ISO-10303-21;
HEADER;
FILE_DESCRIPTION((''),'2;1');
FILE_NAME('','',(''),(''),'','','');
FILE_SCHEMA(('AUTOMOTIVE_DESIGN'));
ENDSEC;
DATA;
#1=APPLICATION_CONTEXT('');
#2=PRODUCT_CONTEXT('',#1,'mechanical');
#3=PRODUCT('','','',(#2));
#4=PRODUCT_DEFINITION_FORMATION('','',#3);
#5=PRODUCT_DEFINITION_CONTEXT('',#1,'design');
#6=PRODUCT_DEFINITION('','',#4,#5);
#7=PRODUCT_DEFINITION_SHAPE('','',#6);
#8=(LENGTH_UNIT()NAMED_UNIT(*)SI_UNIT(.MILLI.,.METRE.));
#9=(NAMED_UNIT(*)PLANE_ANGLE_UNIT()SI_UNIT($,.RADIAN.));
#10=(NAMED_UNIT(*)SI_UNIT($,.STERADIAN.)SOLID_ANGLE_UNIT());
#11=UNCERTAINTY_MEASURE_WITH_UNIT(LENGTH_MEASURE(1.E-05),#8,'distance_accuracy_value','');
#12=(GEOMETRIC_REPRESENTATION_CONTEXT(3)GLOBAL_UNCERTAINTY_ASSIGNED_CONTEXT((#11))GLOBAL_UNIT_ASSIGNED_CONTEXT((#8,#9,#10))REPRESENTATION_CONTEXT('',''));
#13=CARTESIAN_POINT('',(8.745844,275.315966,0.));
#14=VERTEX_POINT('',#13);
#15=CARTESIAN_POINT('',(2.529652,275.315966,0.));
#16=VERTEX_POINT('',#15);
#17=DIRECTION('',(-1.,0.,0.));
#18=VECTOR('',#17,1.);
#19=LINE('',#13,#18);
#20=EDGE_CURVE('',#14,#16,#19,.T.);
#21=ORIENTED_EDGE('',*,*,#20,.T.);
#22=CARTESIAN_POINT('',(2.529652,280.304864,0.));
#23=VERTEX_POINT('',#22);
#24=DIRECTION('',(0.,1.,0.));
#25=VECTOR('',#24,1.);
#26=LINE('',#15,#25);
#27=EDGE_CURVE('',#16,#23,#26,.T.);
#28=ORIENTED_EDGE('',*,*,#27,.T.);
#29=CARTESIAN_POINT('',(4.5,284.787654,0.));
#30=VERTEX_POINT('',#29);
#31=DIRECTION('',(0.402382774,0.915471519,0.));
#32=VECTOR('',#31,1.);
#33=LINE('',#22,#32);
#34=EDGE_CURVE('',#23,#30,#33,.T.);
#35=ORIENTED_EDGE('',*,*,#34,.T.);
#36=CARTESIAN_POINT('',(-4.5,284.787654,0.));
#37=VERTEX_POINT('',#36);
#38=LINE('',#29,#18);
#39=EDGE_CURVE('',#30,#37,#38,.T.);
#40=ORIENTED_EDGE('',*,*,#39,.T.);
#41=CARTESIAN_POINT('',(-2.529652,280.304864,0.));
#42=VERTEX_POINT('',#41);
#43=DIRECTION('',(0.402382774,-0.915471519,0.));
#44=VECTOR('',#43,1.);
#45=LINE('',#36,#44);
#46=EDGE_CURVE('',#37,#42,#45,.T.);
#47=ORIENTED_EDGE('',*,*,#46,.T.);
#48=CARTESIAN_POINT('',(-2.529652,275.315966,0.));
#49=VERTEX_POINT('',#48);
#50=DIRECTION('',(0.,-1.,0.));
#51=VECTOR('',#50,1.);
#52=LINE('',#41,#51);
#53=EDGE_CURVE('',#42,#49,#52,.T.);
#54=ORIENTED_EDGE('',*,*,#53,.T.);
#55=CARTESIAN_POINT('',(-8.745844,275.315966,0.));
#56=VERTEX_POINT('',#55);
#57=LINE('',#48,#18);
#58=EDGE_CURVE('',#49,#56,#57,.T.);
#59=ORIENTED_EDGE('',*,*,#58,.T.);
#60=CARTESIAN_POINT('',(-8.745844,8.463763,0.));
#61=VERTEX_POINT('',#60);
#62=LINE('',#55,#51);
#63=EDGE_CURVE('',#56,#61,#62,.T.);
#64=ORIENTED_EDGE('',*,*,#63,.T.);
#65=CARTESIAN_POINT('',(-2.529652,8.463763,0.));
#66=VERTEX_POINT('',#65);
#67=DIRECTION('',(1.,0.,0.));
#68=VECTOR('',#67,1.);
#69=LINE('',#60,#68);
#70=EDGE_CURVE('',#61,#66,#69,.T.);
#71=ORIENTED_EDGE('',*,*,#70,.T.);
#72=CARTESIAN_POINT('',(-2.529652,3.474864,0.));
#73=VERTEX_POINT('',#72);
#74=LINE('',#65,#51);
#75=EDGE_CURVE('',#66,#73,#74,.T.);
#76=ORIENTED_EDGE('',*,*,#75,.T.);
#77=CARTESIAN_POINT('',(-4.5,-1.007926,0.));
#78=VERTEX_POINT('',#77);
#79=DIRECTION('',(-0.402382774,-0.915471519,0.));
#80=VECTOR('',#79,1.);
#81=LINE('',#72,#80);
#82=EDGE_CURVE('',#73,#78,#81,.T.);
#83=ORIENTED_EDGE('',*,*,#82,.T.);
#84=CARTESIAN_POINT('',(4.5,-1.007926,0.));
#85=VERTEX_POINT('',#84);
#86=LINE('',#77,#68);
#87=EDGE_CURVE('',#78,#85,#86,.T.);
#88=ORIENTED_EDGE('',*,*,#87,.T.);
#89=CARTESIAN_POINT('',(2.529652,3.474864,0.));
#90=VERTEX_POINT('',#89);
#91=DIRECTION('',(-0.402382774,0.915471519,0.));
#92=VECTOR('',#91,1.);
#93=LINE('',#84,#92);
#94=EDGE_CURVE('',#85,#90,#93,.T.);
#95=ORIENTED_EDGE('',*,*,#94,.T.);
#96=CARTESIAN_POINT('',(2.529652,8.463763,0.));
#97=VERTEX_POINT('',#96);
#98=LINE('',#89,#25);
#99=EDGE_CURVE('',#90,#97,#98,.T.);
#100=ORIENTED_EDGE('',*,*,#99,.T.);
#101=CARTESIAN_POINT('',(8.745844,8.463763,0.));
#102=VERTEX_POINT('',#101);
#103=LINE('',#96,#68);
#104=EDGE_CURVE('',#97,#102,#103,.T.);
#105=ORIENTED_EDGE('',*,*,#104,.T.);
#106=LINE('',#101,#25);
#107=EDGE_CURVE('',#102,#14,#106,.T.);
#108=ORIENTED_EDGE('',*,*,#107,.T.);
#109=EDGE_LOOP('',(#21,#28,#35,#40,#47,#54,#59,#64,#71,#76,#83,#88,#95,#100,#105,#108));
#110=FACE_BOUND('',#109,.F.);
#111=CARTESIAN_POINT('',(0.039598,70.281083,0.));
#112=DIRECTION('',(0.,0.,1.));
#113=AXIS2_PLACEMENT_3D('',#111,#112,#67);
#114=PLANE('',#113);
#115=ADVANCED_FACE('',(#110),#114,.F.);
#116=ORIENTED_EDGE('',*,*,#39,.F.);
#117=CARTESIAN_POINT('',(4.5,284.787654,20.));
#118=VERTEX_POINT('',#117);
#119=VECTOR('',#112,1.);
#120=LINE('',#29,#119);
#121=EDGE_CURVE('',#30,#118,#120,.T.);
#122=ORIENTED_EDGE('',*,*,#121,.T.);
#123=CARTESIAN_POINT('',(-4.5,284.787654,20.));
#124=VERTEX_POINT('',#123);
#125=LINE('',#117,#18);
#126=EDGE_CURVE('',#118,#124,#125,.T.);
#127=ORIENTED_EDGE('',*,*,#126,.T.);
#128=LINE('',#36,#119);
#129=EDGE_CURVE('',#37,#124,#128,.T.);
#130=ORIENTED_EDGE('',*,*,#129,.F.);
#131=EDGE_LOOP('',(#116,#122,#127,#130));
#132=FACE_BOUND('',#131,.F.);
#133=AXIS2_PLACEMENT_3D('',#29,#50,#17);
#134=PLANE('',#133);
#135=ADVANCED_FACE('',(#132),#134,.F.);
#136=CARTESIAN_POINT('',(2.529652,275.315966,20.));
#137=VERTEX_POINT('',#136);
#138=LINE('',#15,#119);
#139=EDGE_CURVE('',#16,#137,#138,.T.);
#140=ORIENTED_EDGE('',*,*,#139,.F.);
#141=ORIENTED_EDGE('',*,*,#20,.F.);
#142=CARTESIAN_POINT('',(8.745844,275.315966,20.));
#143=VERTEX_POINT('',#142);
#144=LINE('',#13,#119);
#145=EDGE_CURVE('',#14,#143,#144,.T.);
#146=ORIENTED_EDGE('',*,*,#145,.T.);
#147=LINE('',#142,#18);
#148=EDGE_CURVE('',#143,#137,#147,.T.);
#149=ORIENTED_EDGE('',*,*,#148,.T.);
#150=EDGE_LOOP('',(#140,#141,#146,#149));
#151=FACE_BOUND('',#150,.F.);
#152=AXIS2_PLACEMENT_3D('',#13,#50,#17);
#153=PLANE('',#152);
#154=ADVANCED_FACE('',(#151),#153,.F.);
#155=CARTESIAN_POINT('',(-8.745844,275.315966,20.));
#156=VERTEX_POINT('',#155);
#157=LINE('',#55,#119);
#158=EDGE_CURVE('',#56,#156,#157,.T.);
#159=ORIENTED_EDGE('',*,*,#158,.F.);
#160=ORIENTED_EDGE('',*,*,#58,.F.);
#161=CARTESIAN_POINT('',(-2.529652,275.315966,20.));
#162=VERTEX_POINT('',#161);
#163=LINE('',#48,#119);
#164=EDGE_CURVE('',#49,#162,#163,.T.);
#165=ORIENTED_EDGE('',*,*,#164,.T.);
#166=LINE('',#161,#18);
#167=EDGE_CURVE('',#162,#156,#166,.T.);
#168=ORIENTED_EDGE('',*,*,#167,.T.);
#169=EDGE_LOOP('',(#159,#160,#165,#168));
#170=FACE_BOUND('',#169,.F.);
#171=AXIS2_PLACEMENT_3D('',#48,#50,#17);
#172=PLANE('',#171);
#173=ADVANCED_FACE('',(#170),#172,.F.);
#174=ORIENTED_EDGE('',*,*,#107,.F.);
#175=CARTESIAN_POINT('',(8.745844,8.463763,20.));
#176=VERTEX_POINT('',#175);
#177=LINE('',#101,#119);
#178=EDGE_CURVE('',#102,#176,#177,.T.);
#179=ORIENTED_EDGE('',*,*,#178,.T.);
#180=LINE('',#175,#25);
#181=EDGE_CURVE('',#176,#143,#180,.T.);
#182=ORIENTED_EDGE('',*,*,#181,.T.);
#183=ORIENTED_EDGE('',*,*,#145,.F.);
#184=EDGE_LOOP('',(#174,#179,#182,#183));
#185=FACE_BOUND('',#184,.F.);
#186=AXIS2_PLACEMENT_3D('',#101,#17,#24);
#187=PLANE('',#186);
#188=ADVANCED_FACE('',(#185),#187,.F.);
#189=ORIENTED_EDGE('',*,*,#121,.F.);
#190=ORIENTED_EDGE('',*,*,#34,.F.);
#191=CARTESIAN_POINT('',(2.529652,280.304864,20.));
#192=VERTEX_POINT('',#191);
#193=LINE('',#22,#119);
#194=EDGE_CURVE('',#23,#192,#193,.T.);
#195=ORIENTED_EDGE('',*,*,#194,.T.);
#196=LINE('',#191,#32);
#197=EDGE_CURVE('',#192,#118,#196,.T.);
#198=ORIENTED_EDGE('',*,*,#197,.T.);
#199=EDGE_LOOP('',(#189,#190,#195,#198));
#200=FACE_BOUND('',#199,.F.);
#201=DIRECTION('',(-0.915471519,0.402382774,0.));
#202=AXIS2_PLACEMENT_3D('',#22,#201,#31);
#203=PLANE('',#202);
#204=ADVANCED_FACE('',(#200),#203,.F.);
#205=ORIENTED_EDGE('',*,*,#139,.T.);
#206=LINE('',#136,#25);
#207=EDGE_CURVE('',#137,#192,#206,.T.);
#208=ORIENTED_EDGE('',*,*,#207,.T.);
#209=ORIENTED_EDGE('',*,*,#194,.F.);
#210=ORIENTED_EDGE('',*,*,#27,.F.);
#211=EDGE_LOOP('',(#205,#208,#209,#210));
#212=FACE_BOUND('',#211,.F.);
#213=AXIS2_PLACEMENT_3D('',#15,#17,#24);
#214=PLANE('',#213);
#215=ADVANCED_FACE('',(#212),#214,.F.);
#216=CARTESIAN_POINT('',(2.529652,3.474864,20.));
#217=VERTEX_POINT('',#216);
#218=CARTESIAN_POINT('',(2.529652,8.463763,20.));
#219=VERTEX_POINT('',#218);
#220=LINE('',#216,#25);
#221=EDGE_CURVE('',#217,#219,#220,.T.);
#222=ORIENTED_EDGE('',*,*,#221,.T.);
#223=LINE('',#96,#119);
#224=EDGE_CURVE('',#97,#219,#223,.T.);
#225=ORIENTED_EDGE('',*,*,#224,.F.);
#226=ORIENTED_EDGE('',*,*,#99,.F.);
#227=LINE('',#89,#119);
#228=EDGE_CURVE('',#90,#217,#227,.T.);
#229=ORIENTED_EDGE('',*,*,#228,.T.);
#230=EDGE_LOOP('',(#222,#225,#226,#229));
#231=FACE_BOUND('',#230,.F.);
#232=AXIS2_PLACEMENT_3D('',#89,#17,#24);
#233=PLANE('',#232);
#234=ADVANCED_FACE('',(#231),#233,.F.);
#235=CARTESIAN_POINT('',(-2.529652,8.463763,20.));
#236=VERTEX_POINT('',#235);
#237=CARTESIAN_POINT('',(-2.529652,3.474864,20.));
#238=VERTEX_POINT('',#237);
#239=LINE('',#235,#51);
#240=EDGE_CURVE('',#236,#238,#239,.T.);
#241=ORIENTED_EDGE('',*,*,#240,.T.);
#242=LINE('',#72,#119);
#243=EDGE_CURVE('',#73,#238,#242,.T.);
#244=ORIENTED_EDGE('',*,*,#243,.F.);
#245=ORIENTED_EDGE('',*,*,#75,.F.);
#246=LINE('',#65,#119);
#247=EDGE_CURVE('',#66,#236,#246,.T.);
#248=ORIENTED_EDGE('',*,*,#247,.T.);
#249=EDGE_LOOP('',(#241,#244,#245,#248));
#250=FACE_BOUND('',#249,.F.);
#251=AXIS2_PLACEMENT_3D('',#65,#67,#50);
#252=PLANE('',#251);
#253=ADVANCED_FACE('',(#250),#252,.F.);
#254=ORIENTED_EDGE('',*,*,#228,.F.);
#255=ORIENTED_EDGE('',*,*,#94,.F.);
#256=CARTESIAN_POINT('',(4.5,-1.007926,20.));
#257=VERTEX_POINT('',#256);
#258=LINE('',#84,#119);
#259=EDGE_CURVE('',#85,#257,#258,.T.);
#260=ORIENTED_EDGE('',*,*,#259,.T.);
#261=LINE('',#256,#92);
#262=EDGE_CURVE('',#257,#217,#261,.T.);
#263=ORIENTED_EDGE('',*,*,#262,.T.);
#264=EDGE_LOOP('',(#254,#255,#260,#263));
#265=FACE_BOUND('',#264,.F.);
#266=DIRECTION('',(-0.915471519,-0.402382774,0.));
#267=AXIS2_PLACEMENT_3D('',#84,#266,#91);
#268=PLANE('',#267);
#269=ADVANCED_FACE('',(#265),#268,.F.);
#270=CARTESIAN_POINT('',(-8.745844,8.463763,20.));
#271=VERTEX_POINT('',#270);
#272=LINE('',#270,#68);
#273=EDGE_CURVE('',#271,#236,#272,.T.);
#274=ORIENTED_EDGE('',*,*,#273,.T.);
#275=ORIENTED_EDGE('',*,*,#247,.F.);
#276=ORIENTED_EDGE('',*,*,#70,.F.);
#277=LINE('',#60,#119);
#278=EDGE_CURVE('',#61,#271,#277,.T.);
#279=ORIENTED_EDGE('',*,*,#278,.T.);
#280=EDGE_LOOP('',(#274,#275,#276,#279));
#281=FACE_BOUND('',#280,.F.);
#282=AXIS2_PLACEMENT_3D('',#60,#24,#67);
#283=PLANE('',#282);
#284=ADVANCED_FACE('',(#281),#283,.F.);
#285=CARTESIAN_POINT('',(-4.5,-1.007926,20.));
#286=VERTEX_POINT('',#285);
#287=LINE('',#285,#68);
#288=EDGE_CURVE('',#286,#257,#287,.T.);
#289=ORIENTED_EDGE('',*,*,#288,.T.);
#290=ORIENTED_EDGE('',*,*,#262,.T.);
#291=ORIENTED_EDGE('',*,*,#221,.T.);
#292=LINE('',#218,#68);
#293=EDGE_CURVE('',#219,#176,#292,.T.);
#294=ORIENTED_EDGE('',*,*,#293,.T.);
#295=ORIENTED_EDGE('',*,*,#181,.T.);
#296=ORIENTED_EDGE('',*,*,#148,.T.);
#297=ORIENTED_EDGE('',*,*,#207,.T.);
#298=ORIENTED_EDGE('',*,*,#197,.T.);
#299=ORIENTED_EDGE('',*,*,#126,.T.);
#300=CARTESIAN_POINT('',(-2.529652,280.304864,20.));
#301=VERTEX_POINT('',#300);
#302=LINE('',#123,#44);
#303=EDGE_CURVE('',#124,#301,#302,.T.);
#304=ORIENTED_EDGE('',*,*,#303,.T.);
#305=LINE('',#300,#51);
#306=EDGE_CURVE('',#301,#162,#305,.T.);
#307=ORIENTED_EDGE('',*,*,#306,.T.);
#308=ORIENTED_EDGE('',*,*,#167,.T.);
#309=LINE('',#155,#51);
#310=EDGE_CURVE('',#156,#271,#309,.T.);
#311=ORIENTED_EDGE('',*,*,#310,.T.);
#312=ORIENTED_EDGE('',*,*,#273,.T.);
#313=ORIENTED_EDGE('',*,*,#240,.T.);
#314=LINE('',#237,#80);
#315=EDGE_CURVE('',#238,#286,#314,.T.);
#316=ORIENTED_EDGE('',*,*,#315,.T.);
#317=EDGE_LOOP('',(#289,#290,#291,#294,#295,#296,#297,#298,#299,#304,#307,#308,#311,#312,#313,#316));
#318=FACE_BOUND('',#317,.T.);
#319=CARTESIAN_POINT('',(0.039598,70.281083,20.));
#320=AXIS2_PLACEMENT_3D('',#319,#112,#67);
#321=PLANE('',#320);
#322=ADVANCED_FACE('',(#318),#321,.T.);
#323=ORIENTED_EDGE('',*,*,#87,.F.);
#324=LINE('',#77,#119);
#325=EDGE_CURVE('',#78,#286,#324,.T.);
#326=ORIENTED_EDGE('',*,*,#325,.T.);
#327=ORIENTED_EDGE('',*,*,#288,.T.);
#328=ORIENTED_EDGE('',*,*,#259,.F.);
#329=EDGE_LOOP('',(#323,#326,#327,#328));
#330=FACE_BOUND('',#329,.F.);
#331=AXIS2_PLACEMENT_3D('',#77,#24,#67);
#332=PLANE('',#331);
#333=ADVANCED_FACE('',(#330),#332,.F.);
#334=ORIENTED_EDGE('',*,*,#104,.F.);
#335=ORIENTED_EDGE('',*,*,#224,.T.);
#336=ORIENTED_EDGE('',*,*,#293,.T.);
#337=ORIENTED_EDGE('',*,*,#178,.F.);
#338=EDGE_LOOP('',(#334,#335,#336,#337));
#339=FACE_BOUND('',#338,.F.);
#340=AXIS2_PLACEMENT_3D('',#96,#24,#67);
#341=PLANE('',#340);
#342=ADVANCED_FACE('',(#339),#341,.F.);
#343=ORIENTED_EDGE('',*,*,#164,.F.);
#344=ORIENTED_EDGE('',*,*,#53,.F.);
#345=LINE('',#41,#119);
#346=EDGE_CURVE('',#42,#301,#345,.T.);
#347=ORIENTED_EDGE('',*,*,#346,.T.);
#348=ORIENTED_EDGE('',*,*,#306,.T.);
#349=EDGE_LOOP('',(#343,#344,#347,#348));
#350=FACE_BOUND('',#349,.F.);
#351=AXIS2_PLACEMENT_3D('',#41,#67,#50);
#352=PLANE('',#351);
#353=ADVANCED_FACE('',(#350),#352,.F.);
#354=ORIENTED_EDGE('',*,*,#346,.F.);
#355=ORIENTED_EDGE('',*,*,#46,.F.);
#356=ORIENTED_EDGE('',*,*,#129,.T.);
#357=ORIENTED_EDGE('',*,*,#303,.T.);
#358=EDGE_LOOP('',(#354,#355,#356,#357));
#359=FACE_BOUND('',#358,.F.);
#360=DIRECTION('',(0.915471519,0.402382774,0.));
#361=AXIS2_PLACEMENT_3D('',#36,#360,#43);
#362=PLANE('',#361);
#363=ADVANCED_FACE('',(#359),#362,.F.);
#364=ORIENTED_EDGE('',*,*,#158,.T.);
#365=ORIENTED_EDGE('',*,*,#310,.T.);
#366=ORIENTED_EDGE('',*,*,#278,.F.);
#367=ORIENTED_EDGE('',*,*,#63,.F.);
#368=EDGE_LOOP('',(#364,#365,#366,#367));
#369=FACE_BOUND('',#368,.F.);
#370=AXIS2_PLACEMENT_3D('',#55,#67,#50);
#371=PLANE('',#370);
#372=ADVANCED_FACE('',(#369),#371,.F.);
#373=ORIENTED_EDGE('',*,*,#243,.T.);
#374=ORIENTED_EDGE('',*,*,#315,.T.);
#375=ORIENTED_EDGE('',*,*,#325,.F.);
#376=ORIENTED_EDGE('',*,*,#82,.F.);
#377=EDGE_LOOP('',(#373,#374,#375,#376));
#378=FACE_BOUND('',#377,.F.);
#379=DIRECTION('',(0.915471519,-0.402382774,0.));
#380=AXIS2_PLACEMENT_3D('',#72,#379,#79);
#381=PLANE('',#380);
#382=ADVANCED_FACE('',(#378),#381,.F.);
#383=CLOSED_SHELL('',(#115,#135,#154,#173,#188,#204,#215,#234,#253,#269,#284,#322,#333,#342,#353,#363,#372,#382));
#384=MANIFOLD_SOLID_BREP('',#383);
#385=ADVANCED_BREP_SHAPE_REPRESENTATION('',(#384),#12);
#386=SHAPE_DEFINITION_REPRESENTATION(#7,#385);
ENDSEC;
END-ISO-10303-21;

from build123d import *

# Parameters (mm, degrees)
F2_DEPTH = 20


with BuildPart() as f2:
    # F1 (on face) → F2 (new body)
    with BuildSketch(Plane.XY):
        Polygon((-2.529652, -1.007926), (0, -1.007926), (4.5, -1.007926), (2.529652, 3.474864), (2.529652, 8.463763), (8.745844, 8.463763), (8.745844, 13.700863), (8.745844, 141.889864), (-8.745844, 141.889864), (-8.745844, 13.700863), (-8.745844, 8.463763), (-2.529652, 8.463763), (-2.529652, 3.474864), align=None)
        Polygon((-4.5, -1.007926), (-2.529652, -1.007926), (-2.529652, 3.474864), align=None)
        Polygon((-8.745844, 141.889864), (8.745844, 141.889864), (8.745844, 270.078865), (8.745844, 275.315966), (2.529652, 275.315966), (2.529652, 280.304864), (4.5, 284.787654), (0, 284.787654), (-4.5, 284.787654), (-2.529652, 280.304864), (-2.529652, 275.315966), (-8.745844, 275.315966), (-8.745844, 270.078865), align=None)
    extrude(amount=F2_DEPTH)


solid = f2.part
